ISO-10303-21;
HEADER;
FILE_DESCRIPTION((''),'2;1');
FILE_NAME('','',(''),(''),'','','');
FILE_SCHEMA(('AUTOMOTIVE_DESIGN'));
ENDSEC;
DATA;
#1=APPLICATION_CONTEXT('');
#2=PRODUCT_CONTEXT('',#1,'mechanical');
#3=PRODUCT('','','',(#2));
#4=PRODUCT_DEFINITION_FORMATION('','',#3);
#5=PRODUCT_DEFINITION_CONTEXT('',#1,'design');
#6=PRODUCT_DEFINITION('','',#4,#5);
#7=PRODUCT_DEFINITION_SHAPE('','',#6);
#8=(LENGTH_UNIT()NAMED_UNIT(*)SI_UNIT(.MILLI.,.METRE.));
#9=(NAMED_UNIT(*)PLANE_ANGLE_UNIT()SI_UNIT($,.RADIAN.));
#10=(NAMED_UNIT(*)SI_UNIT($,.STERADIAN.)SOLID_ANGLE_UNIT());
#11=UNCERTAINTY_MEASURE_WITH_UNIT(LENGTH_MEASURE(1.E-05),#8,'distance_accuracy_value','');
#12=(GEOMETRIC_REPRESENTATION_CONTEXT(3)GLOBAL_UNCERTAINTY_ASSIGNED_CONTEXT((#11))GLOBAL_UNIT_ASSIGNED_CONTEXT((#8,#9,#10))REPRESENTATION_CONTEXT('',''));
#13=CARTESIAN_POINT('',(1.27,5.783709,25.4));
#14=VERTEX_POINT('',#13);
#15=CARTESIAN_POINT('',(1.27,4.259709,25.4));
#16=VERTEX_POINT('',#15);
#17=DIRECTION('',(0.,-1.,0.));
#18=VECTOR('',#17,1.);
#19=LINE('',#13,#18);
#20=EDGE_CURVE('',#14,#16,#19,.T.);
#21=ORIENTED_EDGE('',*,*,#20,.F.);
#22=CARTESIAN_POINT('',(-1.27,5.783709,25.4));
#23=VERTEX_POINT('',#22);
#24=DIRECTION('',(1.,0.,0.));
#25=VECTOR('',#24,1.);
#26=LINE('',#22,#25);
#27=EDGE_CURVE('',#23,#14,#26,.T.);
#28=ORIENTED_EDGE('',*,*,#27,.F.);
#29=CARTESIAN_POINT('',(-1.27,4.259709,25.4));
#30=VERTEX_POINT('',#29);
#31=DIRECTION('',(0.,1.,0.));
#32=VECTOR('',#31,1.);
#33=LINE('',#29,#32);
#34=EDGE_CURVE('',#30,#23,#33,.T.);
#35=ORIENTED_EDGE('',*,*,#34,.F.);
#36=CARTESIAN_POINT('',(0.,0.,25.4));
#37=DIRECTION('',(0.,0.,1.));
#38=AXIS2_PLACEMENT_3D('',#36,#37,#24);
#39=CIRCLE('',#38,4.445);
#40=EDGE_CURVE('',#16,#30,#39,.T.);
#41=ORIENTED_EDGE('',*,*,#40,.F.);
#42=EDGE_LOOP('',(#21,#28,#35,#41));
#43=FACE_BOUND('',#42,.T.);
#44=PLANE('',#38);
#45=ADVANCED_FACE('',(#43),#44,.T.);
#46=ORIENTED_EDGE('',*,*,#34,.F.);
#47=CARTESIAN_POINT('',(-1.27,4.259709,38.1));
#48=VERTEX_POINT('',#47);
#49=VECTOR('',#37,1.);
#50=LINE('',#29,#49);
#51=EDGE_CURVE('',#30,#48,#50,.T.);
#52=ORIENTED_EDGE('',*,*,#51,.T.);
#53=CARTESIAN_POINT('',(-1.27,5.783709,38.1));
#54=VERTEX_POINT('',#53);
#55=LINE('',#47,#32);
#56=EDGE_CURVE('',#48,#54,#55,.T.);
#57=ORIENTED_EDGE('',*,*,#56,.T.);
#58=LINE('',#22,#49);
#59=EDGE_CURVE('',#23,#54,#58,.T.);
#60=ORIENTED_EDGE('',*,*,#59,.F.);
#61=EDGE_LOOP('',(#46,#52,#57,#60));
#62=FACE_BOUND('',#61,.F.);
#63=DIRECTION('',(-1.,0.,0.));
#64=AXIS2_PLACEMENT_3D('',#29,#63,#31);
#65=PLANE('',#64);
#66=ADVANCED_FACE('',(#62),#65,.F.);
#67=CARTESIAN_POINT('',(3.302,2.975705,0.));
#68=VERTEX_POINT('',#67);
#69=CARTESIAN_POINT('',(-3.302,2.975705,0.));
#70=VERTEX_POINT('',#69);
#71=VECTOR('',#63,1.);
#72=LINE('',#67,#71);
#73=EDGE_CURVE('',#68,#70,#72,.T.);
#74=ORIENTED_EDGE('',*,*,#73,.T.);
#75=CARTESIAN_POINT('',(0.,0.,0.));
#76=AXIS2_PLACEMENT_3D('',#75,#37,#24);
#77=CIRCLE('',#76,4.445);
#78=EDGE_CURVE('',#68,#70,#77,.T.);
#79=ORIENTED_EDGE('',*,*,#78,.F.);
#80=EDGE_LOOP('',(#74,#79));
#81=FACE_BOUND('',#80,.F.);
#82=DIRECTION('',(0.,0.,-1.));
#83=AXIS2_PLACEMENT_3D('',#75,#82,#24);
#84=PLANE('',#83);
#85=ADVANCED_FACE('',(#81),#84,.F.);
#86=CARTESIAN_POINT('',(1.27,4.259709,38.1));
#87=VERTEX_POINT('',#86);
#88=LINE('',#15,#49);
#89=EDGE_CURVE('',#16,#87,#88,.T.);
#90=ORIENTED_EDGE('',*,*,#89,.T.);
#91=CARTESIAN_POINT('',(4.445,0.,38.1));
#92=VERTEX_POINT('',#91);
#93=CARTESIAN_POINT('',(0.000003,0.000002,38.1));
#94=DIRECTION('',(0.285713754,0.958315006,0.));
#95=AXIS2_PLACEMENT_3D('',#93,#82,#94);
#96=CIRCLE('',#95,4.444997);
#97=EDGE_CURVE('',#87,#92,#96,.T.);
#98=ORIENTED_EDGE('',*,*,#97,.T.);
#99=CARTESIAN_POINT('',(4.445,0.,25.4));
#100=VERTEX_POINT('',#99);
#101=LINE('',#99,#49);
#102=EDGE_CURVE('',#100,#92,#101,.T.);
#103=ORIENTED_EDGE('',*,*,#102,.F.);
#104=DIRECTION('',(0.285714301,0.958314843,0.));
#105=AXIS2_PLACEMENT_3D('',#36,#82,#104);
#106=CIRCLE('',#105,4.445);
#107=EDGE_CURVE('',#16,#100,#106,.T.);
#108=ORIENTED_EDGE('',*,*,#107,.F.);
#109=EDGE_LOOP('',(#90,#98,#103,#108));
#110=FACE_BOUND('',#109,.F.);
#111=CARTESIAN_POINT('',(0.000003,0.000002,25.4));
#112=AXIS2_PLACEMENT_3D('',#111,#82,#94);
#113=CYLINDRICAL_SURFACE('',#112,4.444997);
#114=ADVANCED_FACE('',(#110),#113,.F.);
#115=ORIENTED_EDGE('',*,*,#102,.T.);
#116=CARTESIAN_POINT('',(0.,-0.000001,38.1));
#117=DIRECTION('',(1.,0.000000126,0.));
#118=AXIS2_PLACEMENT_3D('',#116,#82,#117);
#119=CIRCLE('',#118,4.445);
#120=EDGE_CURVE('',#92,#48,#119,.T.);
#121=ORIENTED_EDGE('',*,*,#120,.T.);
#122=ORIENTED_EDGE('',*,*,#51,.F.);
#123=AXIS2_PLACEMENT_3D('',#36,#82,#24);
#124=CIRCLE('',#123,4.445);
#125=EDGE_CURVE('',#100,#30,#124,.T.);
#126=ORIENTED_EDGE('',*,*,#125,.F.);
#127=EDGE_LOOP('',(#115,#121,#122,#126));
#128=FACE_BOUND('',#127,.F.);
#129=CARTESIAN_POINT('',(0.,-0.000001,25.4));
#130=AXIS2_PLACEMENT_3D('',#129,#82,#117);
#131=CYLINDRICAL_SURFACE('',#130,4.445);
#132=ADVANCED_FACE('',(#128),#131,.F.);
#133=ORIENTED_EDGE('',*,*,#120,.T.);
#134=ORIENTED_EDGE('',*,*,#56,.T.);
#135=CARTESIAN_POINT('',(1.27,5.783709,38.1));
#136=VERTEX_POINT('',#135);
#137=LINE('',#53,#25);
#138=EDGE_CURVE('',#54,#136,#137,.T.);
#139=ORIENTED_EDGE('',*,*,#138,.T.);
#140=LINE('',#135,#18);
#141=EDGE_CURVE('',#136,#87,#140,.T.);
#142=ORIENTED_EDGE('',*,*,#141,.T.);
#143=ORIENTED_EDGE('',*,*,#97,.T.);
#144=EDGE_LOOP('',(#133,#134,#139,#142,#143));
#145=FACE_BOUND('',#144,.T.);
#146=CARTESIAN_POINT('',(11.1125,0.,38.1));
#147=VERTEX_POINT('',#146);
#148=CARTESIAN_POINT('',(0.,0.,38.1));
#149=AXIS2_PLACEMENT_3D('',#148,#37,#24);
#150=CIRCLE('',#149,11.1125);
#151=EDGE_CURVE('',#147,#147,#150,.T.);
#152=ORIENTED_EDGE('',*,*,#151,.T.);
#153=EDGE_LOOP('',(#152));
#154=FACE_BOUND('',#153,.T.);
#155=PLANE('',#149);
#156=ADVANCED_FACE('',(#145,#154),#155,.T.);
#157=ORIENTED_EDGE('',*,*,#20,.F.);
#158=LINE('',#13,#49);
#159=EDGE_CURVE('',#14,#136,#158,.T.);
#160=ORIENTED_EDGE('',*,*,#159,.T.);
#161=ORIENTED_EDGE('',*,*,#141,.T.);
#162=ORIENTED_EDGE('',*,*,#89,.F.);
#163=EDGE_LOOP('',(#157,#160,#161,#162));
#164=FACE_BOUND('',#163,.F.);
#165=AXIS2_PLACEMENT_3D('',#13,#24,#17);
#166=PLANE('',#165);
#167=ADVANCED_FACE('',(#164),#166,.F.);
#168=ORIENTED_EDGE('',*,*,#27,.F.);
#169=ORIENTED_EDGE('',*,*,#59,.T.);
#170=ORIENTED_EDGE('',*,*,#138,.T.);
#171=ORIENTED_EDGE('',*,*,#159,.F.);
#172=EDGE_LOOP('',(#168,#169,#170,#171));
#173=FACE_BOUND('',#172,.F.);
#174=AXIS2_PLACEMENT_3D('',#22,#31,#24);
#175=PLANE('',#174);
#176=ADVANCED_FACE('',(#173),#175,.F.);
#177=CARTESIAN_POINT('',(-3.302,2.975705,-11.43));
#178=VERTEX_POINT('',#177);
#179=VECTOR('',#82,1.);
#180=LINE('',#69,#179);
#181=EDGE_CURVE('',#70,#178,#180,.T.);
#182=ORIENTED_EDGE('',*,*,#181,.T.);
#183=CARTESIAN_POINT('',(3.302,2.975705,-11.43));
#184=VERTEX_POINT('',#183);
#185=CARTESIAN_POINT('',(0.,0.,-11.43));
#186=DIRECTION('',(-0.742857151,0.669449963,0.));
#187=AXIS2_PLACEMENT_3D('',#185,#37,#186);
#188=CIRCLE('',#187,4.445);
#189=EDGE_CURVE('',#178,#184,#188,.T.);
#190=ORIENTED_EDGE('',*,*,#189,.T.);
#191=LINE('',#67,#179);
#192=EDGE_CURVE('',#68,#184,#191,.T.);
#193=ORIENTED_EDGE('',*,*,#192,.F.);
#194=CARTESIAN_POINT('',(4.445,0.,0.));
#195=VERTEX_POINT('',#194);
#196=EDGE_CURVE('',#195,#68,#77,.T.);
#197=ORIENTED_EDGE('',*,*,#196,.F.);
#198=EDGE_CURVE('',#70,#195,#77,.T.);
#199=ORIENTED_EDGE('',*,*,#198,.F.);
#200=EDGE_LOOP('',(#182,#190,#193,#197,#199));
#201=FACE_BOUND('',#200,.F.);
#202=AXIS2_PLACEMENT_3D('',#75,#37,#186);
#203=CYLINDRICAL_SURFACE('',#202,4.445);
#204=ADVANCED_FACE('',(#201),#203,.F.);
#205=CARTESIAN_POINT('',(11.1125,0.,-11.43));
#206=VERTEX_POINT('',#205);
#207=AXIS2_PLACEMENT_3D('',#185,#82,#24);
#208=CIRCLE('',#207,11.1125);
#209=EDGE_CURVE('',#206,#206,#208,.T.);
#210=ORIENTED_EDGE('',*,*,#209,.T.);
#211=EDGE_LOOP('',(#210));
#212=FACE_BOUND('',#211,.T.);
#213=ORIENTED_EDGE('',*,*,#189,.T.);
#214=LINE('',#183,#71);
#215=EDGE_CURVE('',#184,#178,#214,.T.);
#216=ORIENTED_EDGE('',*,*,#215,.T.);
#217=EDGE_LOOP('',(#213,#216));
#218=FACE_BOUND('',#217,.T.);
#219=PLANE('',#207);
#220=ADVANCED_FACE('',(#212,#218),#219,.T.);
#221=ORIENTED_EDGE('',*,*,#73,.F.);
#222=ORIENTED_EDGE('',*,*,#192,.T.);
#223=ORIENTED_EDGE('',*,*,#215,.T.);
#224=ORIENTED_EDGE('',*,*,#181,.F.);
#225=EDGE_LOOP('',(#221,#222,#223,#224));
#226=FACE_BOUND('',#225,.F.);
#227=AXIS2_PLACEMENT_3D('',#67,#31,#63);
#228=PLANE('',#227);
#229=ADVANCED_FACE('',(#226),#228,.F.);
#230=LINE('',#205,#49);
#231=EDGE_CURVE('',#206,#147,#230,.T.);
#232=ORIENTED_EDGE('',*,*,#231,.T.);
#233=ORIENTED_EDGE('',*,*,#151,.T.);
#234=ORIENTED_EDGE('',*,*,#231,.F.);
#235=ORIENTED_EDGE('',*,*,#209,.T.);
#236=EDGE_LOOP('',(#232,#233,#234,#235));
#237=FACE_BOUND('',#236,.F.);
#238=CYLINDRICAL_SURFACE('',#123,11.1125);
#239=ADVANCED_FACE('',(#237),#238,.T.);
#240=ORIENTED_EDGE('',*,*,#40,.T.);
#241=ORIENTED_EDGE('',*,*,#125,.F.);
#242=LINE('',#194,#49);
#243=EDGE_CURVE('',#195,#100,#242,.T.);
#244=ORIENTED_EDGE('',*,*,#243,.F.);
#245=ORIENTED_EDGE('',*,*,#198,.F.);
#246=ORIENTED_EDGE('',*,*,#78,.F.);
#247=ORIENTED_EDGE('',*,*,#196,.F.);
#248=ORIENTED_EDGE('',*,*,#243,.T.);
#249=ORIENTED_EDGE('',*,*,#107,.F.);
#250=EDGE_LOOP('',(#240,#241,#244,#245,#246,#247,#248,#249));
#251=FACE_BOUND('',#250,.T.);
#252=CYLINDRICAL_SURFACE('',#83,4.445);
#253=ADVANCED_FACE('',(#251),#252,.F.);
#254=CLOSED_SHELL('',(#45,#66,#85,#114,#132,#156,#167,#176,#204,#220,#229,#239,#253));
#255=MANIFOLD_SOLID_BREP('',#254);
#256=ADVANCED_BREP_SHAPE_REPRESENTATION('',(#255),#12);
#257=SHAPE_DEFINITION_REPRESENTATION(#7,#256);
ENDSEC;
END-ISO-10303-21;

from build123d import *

# Parameters (mm, degrees)
F0_R     = 11.1125
F0_R_2   = 4.445
F1_DEPTH = 25.4
F2_R     = 11.1125
F3_DEPTH = 11.43
F4_R     = 11.1125
F5_DEPTH = 12.7


with BuildPart() as f1:
    # F0 (on Top) → F1 (new body)
    with BuildSketch(Plane.XY):
        Circle(F0_R)
        Circle(F0_R_2, mode=Mode.SUBTRACT)
    extrude(amount=F1_DEPTH)

    # F2 (on face) → F3 (join)
    with BuildSketch(Plane(origin=(0, 0, 0), x_dir=(1, 0, 0), z_dir=(0, 0, -1))):
        Circle(F2_R)
        with BuildLine():
            ThreePointArc((-3.302, -2.975705), (0, 4.445), (3.302, -2.975705))
            Line((3.302, -2.975705), (-3.302, -2.975705))
        make_face(mode=Mode.SUBTRACT)
    extrude(amount=F3_DEPTH)

    # F4 (on face) → F5 (join)
    with BuildSketch(Plane.XY.offset(25.4)):
        Circle(F4_R)
        with BuildLine():
            ThreePointArc((4.445, 0), (-2.656396, -3.563929), (-1.27, 4.259709))
            Line((-1.27, 4.259709), (-1.27, 5.783709))
            Line((-1.27, 5.783709), (1.27, 5.783709))
            Line((1.27, 5.783709), (1.27, 4.259709))
            ThreePointArc((1.27, 4.259709), (3.563929, 2.656396), (4.445, 0))
        make_face(mode=Mode.SUBTRACT)
    extrude(amount=F5_DEPTH)


solid = f1.part
